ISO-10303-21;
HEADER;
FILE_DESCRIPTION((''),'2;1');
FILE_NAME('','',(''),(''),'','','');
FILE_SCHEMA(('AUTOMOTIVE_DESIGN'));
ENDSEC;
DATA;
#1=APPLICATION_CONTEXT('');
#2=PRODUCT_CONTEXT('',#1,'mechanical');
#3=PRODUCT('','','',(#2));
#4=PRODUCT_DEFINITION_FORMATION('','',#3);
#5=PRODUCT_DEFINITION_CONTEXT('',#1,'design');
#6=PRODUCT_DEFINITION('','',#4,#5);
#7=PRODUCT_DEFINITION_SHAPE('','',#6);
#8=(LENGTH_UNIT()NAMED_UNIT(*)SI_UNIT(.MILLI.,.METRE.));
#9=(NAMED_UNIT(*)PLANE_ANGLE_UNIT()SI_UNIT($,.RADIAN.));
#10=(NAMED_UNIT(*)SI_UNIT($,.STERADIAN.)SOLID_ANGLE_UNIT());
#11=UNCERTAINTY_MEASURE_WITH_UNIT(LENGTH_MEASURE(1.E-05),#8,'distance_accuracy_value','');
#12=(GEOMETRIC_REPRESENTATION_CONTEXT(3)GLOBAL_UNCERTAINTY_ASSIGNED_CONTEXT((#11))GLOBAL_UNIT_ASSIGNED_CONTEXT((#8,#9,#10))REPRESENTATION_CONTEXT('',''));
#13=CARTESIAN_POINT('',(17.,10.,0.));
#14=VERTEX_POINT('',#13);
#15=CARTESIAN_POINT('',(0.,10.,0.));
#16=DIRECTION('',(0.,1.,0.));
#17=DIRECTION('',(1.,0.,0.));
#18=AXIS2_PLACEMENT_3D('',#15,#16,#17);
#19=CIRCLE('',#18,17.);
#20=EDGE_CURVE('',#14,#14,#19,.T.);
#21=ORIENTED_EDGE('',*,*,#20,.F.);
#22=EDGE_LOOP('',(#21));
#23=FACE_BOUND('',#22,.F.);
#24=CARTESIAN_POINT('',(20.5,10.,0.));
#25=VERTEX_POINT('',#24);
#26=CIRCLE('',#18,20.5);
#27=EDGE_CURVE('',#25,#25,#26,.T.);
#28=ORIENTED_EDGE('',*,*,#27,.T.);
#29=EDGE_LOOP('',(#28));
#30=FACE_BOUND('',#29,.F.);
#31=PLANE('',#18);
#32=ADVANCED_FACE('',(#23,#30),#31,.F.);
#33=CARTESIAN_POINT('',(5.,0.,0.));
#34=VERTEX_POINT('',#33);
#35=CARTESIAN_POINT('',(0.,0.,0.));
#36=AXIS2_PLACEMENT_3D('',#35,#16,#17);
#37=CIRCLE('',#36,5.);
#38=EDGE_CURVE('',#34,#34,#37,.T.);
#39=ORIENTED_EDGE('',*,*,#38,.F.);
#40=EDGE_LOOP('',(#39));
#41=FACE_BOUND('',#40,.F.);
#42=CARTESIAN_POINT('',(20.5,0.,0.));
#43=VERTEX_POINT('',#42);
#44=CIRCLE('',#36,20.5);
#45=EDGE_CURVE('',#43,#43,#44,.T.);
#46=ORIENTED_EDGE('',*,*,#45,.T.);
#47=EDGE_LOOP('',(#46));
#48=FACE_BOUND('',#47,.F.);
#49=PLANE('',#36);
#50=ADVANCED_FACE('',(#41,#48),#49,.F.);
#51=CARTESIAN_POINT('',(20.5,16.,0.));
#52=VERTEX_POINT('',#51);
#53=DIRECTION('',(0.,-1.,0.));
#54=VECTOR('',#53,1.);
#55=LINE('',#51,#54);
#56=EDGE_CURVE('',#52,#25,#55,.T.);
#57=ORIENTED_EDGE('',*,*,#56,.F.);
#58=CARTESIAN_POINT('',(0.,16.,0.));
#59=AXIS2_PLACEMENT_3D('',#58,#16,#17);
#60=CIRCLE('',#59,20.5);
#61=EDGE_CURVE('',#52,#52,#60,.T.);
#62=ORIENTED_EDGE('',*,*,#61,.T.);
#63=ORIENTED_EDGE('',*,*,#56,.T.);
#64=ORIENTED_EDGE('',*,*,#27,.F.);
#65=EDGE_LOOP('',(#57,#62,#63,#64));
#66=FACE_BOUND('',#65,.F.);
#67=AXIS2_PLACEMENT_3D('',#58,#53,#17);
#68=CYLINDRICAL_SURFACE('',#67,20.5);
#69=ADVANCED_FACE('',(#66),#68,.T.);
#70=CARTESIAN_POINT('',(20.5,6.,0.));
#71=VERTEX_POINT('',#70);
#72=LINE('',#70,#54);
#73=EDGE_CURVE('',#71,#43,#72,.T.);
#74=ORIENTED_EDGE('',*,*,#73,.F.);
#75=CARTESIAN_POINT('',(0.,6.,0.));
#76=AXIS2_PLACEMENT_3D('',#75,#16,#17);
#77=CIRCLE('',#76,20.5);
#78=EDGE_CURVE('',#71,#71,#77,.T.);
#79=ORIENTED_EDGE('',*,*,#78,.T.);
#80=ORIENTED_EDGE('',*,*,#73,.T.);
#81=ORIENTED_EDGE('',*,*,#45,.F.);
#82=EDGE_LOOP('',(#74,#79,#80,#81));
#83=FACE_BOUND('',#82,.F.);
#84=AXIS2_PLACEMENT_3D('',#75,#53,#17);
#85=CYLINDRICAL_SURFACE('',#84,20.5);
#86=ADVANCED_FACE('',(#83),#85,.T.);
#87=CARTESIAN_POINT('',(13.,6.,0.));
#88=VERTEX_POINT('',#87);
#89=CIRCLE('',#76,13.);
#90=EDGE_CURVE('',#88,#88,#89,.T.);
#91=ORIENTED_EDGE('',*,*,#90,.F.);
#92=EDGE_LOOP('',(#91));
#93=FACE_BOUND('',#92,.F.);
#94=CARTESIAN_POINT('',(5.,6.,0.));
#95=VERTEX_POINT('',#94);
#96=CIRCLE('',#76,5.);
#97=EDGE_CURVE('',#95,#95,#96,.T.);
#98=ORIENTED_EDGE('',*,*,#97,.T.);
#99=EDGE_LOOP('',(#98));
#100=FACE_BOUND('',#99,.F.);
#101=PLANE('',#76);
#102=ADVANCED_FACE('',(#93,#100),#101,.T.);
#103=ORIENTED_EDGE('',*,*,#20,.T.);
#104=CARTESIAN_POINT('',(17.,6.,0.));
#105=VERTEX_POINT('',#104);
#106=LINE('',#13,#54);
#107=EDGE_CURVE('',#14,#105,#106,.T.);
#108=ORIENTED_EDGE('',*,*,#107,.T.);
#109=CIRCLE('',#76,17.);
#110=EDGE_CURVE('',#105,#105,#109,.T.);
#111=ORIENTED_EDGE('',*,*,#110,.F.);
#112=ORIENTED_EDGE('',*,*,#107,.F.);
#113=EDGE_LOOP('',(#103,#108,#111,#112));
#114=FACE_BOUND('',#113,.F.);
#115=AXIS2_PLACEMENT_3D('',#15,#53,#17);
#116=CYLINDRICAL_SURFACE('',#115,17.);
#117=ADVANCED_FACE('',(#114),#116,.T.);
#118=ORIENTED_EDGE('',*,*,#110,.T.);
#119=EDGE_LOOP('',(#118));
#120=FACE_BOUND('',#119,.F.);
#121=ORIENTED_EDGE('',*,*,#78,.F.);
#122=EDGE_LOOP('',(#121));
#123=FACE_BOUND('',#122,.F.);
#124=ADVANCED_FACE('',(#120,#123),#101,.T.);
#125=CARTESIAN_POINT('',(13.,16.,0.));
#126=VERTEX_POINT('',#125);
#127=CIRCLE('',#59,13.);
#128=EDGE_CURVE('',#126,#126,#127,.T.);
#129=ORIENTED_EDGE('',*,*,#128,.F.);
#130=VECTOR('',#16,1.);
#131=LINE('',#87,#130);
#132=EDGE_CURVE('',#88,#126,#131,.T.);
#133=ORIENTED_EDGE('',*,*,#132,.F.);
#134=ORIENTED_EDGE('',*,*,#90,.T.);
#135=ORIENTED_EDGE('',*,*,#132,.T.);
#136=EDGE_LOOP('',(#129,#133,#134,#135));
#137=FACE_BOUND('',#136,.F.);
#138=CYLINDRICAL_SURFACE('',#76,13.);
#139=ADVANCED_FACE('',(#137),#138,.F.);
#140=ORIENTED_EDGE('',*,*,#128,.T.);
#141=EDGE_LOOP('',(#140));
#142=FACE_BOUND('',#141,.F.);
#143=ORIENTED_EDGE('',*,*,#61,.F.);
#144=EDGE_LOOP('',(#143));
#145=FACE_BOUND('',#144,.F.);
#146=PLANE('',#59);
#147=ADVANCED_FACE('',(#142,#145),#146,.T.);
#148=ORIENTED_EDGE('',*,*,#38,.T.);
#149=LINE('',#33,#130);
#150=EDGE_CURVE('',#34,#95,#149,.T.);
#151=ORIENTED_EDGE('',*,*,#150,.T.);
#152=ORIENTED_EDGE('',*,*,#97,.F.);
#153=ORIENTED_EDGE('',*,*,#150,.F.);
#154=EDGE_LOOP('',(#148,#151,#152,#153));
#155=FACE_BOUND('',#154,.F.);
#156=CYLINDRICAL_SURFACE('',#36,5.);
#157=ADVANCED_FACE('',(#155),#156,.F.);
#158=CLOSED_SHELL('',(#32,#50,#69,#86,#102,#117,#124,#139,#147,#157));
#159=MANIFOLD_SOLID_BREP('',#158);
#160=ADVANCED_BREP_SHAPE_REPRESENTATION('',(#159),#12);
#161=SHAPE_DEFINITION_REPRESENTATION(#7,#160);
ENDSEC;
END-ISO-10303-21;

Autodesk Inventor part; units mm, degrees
ref_plane "YZ Plane" through (0, 0, 0) normal (1, 0, 0) x (0, 1, 0)
ref_plane "XZ Plane" through (0, 0, 0) normal (0, 1, 0) x (-1, 0, 0)
ref_plane "XY Plane" through (0, 0, 0) normal (0, 0, 1) x (1, 0, 0)
sketch "Sketch1" plane through (0, 0, 0) normal (0, 0, 1) x (1, 0, 0)
  line L0 (20.5, 6) -> (20.5, 0)
  line L1 (20.5, 0) -> (5, 0)
  line L2 (5, 0) -> (5, 6)
  line L3 (5, 6) -> (13, 6)
  line L4 (13, 6) -> (13, 16)
  line L5 (13, 16) -> (20.5, 16)
  line L6 (20.5, 16) -> (20.5, 10)
  line L7 (20.5, 10) -> (17, 10)
  line L8 (17, 10) -> (17, 6)
  line L9 (17, 6) -> (20.5, 6)
  line L10 (0, 0) -> (0, 16) construction
  dimension "d0" = 10
  dimension "d1" = 26
  dimension "d2" = 34
  dimension "d3" = 41
  dimension "d4" = 6
  dimension "d5" = 10
  dimension "d6" = 16
revolve "Revolution1" add sketch "Sketch1" angle 360 about axis through (0, 0, 0) along (0, 1, 0)
properties part number "TU-005" material "Aluminum-6061"
